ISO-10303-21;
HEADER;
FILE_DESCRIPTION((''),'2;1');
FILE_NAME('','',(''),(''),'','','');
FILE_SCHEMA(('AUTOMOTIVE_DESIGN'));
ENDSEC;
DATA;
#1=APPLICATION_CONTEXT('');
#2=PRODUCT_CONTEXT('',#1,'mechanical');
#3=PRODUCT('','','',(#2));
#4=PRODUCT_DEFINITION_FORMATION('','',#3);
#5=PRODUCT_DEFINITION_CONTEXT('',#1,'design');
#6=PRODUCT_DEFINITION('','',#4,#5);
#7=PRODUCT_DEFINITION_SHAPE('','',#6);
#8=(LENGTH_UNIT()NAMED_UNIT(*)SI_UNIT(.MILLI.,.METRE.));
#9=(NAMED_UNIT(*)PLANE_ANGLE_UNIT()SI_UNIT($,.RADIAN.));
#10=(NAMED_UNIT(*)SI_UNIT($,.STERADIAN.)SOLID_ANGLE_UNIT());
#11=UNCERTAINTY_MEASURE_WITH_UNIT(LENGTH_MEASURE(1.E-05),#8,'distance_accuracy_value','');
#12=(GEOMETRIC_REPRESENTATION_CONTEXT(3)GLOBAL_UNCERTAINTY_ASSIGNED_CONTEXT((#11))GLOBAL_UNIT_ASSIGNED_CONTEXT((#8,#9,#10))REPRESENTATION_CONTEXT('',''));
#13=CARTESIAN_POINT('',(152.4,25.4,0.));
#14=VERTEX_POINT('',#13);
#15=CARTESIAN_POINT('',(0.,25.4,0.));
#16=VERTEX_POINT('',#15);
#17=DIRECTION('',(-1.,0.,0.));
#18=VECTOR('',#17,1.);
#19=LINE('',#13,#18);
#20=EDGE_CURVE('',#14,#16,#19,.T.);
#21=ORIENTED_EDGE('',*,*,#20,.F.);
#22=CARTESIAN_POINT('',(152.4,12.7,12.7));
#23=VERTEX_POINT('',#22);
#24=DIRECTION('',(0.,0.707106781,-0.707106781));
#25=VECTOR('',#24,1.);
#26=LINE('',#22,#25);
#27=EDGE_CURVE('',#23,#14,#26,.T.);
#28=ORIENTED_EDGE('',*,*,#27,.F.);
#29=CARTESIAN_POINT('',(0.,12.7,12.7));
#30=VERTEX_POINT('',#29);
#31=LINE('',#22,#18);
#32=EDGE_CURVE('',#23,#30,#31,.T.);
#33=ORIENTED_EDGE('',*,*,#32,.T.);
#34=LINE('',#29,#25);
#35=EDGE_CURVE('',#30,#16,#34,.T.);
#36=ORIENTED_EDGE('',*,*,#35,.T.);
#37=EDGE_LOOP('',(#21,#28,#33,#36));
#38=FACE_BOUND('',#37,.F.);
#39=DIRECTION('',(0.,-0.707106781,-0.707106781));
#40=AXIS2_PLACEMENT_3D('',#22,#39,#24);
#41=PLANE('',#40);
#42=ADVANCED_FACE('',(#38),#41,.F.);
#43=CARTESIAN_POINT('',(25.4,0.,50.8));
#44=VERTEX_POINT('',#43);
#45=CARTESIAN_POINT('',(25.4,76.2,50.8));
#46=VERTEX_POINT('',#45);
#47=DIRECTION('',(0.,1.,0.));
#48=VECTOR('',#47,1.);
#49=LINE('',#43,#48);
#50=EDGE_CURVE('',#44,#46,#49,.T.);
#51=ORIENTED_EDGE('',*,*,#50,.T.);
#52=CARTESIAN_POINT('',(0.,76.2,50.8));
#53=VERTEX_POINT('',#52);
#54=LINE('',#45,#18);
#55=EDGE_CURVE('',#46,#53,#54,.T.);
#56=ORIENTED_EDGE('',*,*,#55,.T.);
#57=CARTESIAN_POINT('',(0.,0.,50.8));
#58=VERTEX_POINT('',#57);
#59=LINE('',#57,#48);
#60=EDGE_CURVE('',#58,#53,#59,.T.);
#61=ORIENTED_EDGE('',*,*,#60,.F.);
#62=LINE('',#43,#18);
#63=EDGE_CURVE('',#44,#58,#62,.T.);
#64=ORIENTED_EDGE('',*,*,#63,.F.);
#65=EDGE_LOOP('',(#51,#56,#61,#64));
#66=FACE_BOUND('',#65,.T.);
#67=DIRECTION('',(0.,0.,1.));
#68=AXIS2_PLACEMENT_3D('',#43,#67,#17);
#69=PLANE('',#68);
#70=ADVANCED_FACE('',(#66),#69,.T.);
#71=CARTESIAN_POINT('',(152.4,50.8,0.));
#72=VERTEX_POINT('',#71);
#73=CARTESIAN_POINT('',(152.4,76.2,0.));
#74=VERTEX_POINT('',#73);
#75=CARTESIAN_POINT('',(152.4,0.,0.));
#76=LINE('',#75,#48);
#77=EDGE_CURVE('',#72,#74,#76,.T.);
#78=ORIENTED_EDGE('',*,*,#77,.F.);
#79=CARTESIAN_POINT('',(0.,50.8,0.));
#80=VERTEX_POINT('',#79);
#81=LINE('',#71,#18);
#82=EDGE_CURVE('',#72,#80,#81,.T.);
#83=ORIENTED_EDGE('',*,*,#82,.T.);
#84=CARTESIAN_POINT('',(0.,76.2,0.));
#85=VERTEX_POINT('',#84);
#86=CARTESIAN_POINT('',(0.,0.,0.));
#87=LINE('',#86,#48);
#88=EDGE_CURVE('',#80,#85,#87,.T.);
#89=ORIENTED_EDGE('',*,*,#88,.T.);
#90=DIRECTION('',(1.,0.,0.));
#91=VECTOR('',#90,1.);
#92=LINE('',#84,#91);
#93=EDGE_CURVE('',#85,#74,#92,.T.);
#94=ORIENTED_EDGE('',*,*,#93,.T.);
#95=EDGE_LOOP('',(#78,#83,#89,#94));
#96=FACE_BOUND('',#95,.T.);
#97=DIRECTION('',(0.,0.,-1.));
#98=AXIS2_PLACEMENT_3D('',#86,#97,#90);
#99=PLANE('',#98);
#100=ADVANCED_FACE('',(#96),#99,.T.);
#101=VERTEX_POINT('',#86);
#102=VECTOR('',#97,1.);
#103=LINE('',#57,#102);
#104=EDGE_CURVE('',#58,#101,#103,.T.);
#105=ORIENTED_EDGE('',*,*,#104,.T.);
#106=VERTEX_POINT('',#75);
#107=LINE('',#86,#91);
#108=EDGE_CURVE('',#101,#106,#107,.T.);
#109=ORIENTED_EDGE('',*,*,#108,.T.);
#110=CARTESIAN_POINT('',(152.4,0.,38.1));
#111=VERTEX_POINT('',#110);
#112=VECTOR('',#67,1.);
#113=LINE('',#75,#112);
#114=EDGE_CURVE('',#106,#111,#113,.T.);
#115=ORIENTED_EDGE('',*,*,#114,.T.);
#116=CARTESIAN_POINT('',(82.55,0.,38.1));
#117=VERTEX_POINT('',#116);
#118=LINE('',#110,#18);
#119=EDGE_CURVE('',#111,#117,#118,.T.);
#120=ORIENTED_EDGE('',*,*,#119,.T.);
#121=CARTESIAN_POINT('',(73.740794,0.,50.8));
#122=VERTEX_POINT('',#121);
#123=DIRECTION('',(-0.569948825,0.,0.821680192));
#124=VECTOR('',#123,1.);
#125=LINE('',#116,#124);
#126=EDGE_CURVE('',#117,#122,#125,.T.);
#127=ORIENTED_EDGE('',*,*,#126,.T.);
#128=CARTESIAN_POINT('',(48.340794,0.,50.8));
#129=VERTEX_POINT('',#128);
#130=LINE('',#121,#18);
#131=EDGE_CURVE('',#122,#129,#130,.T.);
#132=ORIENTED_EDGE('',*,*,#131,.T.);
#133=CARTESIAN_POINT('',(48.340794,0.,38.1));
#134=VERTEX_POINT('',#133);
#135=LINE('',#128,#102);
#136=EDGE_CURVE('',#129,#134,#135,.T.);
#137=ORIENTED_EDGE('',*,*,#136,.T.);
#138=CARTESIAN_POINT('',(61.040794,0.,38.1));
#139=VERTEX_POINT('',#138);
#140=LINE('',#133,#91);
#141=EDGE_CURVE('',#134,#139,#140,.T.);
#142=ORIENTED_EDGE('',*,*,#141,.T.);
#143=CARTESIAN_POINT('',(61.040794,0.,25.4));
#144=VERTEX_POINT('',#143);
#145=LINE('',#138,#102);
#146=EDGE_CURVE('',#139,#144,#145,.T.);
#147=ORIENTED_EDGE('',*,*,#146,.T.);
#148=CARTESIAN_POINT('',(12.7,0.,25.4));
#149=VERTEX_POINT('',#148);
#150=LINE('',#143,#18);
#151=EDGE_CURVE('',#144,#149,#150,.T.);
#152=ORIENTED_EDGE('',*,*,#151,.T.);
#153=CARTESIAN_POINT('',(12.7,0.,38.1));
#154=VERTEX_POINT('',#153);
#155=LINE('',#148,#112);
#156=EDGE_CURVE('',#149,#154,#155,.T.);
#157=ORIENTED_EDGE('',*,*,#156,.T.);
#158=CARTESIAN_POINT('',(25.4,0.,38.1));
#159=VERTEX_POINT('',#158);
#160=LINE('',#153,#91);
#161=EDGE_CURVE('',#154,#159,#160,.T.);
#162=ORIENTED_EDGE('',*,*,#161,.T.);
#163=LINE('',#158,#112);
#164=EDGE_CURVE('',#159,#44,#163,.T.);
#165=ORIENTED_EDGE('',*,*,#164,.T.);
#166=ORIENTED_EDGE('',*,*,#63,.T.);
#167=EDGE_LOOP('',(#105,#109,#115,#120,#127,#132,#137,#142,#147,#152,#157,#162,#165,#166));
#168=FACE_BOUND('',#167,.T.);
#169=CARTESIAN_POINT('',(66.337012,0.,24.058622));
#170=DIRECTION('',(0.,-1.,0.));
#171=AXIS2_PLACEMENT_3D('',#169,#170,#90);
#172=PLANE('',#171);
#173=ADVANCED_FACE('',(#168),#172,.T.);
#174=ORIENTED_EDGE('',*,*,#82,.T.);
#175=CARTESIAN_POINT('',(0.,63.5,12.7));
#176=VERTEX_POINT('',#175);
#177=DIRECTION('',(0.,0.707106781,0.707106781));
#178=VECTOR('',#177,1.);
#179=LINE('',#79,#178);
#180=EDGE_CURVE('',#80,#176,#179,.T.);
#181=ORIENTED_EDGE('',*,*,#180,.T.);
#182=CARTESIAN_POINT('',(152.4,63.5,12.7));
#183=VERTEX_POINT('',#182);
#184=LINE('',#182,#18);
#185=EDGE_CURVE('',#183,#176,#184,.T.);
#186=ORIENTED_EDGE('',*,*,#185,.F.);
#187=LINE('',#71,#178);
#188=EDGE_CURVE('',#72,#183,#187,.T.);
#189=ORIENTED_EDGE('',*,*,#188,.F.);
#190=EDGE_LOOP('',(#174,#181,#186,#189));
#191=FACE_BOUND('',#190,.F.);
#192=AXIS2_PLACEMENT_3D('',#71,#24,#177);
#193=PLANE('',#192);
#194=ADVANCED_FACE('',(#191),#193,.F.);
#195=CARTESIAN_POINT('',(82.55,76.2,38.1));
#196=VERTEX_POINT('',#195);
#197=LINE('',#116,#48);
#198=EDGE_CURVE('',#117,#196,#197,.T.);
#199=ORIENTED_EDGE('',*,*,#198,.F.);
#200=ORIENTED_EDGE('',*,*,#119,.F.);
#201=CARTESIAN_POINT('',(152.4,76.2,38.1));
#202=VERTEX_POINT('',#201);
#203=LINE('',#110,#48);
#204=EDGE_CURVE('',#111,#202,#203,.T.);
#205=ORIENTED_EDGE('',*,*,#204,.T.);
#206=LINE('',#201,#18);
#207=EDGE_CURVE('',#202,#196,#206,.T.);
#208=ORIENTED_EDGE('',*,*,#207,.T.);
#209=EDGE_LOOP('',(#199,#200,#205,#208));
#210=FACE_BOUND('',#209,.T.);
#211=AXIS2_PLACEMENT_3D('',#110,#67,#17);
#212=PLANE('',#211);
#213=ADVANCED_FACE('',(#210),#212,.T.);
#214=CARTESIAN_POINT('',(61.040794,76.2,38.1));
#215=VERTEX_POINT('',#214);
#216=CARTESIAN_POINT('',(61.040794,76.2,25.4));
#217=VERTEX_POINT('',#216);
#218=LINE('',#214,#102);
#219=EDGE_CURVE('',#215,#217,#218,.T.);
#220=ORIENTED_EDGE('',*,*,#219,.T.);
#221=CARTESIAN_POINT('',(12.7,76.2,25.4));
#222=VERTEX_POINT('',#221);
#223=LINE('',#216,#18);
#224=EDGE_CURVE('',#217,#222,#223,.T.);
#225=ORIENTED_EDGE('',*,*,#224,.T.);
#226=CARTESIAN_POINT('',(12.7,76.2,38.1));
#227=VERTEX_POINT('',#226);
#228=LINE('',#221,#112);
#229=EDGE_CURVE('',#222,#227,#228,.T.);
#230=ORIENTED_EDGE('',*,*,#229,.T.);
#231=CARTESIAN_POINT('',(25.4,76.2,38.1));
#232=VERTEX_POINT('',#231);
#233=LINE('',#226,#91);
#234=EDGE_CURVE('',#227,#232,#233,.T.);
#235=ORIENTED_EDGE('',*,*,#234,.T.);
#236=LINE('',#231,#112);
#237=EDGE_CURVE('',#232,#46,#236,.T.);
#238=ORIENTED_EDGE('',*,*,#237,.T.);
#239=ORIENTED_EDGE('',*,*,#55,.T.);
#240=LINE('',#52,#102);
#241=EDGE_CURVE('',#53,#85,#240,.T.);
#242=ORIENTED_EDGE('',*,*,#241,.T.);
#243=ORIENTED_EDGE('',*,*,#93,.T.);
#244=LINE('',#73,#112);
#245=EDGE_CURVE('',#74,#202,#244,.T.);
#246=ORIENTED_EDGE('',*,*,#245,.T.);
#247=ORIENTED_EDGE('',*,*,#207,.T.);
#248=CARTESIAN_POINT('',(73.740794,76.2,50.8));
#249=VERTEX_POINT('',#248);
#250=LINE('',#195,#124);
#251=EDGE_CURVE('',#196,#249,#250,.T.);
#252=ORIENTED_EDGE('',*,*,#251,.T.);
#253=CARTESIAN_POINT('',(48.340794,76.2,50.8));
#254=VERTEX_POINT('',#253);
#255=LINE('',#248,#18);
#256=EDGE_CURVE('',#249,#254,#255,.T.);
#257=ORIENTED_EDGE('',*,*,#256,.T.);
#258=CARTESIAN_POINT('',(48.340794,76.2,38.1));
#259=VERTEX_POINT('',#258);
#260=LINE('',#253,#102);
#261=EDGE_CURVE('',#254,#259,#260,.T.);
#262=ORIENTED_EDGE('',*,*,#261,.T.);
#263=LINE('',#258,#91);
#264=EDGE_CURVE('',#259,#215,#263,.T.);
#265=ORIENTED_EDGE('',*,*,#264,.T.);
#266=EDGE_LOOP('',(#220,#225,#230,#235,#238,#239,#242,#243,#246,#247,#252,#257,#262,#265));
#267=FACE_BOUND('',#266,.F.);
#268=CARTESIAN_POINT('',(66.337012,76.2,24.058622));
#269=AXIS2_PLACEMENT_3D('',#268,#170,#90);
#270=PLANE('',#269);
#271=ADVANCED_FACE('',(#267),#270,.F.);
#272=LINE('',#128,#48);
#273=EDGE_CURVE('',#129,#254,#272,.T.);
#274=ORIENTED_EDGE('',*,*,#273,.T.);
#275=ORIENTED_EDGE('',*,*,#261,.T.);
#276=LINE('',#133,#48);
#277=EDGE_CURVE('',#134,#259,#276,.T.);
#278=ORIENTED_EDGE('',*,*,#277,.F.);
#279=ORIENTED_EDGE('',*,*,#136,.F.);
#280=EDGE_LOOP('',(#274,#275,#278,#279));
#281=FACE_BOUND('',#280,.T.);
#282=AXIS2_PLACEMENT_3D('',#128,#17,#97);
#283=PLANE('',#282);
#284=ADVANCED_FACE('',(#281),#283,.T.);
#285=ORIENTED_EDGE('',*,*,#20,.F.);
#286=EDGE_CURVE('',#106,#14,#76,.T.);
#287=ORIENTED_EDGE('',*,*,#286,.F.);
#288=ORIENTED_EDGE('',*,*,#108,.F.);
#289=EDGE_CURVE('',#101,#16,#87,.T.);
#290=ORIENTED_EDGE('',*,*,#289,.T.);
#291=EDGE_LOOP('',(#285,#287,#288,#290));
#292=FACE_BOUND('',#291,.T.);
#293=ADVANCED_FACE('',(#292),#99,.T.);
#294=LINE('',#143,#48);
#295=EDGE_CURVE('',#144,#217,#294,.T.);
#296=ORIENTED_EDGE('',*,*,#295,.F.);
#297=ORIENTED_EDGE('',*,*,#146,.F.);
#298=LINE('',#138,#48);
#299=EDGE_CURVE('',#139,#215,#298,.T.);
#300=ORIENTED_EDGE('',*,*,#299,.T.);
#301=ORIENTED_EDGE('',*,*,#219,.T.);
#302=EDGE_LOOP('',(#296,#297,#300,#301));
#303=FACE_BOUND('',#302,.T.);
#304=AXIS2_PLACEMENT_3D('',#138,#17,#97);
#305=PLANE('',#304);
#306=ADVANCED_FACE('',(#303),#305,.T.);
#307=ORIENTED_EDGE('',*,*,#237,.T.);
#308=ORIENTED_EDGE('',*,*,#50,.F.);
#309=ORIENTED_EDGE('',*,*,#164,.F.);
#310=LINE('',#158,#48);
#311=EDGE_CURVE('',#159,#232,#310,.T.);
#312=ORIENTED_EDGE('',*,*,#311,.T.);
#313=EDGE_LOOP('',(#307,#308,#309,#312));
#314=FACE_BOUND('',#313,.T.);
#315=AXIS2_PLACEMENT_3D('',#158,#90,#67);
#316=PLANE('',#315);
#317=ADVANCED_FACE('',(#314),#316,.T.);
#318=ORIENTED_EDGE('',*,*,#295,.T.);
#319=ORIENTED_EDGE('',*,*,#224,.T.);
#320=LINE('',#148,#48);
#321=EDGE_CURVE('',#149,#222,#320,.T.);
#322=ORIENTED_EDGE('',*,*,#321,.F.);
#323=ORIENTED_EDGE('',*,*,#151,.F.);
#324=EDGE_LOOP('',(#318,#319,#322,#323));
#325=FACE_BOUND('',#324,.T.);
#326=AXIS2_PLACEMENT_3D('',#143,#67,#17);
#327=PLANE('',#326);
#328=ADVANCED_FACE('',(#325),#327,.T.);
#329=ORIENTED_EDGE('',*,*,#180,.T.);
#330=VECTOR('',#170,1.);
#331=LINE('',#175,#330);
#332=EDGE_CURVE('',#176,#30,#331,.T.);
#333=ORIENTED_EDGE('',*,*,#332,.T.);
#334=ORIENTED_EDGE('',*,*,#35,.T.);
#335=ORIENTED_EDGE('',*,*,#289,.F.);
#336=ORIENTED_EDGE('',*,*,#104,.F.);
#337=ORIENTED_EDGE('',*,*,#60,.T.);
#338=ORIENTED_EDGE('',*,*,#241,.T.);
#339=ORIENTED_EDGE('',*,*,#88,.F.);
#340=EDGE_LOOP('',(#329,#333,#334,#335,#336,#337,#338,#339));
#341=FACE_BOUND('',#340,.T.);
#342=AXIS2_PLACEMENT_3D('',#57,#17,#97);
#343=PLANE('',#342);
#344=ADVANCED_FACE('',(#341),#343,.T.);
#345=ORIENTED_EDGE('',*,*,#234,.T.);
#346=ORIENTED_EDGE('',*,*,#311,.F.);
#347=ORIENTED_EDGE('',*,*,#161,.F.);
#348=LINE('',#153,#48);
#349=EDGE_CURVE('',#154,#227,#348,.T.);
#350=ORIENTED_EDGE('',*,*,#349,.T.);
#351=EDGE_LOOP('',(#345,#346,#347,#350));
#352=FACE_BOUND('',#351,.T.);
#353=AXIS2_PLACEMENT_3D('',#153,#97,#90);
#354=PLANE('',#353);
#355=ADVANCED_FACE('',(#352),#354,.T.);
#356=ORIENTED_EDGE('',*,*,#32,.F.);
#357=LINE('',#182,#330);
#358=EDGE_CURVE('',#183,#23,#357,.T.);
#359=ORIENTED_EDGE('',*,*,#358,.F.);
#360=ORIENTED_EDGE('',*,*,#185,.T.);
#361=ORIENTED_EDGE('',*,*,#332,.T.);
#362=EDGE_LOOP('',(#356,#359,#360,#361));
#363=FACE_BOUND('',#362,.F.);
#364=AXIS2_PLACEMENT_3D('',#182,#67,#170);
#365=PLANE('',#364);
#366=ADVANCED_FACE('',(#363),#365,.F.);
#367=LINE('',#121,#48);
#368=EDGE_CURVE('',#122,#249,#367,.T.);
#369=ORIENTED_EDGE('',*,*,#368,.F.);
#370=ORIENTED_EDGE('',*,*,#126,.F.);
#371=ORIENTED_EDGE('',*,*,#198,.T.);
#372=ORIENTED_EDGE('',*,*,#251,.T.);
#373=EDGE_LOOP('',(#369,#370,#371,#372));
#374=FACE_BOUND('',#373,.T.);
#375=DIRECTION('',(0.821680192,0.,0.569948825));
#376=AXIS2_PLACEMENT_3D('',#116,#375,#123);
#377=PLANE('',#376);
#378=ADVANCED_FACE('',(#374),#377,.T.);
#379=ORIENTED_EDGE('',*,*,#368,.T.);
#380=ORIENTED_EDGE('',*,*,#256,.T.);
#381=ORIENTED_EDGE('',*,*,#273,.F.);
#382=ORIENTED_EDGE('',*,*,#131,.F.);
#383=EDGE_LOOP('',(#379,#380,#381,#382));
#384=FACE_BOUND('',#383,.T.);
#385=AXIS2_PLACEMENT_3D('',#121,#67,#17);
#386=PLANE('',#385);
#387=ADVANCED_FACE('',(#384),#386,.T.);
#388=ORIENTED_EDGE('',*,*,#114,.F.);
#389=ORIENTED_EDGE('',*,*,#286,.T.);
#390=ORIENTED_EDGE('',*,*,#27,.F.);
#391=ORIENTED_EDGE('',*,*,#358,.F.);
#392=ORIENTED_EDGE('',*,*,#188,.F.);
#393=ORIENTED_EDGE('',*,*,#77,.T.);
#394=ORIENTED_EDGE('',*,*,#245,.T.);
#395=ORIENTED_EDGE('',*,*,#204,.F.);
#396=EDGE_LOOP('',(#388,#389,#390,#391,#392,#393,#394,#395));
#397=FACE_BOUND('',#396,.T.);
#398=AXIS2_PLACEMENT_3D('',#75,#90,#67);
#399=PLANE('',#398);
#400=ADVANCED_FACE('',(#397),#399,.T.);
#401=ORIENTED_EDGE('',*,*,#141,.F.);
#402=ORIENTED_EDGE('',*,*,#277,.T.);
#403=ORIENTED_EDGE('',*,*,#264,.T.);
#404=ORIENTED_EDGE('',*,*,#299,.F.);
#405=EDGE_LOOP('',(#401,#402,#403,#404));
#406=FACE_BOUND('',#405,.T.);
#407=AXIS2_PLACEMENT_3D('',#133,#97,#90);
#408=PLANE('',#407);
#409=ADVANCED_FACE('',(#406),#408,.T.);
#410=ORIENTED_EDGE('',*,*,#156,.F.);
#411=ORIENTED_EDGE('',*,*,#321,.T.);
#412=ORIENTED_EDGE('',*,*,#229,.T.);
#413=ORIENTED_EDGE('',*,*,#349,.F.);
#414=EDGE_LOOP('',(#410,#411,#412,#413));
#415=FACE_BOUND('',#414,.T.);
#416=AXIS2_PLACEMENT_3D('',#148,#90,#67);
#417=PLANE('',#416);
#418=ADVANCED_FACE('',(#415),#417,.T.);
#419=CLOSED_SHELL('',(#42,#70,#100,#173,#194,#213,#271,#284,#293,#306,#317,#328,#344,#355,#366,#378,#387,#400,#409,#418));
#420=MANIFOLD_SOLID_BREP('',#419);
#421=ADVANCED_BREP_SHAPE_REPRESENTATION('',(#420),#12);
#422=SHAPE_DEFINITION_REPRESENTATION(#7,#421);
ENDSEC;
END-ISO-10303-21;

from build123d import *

# Parameters (mm, degrees)
F1_DEPTH = 76.2
F3_DEPTH = 152.4


with BuildPart() as f1:
    # F0 (on Front) → F1 (new body)
    with BuildSketch(Plane.XZ):
        Polygon((0, 50.8), (0, 0), (152.4, 0), (152.4, 38.1), (82.55, 38.1), (73.740794, 50.8), (48.340794, 50.8), (48.340794, 38.1), (61.040794, 38.1), (61.040794, 25.4), (12.7, 25.4), (12.7, 38.1), (25.4, 38.1), (25.4, 50.8), align=None)
    extrude(amount=-F1_DEPTH)

    # F2 (on face) → F3 (cut)
    with BuildSketch(Plane.YZ.offset(152.4)):
        Polygon((12.7, 12.7), (25.4, 0), (50.8, 0), (63.5, 12.7), align=None)
    extrude(amount=-F3_DEPTH, mode=Mode.SUBTRACT)


solid = f1.part
